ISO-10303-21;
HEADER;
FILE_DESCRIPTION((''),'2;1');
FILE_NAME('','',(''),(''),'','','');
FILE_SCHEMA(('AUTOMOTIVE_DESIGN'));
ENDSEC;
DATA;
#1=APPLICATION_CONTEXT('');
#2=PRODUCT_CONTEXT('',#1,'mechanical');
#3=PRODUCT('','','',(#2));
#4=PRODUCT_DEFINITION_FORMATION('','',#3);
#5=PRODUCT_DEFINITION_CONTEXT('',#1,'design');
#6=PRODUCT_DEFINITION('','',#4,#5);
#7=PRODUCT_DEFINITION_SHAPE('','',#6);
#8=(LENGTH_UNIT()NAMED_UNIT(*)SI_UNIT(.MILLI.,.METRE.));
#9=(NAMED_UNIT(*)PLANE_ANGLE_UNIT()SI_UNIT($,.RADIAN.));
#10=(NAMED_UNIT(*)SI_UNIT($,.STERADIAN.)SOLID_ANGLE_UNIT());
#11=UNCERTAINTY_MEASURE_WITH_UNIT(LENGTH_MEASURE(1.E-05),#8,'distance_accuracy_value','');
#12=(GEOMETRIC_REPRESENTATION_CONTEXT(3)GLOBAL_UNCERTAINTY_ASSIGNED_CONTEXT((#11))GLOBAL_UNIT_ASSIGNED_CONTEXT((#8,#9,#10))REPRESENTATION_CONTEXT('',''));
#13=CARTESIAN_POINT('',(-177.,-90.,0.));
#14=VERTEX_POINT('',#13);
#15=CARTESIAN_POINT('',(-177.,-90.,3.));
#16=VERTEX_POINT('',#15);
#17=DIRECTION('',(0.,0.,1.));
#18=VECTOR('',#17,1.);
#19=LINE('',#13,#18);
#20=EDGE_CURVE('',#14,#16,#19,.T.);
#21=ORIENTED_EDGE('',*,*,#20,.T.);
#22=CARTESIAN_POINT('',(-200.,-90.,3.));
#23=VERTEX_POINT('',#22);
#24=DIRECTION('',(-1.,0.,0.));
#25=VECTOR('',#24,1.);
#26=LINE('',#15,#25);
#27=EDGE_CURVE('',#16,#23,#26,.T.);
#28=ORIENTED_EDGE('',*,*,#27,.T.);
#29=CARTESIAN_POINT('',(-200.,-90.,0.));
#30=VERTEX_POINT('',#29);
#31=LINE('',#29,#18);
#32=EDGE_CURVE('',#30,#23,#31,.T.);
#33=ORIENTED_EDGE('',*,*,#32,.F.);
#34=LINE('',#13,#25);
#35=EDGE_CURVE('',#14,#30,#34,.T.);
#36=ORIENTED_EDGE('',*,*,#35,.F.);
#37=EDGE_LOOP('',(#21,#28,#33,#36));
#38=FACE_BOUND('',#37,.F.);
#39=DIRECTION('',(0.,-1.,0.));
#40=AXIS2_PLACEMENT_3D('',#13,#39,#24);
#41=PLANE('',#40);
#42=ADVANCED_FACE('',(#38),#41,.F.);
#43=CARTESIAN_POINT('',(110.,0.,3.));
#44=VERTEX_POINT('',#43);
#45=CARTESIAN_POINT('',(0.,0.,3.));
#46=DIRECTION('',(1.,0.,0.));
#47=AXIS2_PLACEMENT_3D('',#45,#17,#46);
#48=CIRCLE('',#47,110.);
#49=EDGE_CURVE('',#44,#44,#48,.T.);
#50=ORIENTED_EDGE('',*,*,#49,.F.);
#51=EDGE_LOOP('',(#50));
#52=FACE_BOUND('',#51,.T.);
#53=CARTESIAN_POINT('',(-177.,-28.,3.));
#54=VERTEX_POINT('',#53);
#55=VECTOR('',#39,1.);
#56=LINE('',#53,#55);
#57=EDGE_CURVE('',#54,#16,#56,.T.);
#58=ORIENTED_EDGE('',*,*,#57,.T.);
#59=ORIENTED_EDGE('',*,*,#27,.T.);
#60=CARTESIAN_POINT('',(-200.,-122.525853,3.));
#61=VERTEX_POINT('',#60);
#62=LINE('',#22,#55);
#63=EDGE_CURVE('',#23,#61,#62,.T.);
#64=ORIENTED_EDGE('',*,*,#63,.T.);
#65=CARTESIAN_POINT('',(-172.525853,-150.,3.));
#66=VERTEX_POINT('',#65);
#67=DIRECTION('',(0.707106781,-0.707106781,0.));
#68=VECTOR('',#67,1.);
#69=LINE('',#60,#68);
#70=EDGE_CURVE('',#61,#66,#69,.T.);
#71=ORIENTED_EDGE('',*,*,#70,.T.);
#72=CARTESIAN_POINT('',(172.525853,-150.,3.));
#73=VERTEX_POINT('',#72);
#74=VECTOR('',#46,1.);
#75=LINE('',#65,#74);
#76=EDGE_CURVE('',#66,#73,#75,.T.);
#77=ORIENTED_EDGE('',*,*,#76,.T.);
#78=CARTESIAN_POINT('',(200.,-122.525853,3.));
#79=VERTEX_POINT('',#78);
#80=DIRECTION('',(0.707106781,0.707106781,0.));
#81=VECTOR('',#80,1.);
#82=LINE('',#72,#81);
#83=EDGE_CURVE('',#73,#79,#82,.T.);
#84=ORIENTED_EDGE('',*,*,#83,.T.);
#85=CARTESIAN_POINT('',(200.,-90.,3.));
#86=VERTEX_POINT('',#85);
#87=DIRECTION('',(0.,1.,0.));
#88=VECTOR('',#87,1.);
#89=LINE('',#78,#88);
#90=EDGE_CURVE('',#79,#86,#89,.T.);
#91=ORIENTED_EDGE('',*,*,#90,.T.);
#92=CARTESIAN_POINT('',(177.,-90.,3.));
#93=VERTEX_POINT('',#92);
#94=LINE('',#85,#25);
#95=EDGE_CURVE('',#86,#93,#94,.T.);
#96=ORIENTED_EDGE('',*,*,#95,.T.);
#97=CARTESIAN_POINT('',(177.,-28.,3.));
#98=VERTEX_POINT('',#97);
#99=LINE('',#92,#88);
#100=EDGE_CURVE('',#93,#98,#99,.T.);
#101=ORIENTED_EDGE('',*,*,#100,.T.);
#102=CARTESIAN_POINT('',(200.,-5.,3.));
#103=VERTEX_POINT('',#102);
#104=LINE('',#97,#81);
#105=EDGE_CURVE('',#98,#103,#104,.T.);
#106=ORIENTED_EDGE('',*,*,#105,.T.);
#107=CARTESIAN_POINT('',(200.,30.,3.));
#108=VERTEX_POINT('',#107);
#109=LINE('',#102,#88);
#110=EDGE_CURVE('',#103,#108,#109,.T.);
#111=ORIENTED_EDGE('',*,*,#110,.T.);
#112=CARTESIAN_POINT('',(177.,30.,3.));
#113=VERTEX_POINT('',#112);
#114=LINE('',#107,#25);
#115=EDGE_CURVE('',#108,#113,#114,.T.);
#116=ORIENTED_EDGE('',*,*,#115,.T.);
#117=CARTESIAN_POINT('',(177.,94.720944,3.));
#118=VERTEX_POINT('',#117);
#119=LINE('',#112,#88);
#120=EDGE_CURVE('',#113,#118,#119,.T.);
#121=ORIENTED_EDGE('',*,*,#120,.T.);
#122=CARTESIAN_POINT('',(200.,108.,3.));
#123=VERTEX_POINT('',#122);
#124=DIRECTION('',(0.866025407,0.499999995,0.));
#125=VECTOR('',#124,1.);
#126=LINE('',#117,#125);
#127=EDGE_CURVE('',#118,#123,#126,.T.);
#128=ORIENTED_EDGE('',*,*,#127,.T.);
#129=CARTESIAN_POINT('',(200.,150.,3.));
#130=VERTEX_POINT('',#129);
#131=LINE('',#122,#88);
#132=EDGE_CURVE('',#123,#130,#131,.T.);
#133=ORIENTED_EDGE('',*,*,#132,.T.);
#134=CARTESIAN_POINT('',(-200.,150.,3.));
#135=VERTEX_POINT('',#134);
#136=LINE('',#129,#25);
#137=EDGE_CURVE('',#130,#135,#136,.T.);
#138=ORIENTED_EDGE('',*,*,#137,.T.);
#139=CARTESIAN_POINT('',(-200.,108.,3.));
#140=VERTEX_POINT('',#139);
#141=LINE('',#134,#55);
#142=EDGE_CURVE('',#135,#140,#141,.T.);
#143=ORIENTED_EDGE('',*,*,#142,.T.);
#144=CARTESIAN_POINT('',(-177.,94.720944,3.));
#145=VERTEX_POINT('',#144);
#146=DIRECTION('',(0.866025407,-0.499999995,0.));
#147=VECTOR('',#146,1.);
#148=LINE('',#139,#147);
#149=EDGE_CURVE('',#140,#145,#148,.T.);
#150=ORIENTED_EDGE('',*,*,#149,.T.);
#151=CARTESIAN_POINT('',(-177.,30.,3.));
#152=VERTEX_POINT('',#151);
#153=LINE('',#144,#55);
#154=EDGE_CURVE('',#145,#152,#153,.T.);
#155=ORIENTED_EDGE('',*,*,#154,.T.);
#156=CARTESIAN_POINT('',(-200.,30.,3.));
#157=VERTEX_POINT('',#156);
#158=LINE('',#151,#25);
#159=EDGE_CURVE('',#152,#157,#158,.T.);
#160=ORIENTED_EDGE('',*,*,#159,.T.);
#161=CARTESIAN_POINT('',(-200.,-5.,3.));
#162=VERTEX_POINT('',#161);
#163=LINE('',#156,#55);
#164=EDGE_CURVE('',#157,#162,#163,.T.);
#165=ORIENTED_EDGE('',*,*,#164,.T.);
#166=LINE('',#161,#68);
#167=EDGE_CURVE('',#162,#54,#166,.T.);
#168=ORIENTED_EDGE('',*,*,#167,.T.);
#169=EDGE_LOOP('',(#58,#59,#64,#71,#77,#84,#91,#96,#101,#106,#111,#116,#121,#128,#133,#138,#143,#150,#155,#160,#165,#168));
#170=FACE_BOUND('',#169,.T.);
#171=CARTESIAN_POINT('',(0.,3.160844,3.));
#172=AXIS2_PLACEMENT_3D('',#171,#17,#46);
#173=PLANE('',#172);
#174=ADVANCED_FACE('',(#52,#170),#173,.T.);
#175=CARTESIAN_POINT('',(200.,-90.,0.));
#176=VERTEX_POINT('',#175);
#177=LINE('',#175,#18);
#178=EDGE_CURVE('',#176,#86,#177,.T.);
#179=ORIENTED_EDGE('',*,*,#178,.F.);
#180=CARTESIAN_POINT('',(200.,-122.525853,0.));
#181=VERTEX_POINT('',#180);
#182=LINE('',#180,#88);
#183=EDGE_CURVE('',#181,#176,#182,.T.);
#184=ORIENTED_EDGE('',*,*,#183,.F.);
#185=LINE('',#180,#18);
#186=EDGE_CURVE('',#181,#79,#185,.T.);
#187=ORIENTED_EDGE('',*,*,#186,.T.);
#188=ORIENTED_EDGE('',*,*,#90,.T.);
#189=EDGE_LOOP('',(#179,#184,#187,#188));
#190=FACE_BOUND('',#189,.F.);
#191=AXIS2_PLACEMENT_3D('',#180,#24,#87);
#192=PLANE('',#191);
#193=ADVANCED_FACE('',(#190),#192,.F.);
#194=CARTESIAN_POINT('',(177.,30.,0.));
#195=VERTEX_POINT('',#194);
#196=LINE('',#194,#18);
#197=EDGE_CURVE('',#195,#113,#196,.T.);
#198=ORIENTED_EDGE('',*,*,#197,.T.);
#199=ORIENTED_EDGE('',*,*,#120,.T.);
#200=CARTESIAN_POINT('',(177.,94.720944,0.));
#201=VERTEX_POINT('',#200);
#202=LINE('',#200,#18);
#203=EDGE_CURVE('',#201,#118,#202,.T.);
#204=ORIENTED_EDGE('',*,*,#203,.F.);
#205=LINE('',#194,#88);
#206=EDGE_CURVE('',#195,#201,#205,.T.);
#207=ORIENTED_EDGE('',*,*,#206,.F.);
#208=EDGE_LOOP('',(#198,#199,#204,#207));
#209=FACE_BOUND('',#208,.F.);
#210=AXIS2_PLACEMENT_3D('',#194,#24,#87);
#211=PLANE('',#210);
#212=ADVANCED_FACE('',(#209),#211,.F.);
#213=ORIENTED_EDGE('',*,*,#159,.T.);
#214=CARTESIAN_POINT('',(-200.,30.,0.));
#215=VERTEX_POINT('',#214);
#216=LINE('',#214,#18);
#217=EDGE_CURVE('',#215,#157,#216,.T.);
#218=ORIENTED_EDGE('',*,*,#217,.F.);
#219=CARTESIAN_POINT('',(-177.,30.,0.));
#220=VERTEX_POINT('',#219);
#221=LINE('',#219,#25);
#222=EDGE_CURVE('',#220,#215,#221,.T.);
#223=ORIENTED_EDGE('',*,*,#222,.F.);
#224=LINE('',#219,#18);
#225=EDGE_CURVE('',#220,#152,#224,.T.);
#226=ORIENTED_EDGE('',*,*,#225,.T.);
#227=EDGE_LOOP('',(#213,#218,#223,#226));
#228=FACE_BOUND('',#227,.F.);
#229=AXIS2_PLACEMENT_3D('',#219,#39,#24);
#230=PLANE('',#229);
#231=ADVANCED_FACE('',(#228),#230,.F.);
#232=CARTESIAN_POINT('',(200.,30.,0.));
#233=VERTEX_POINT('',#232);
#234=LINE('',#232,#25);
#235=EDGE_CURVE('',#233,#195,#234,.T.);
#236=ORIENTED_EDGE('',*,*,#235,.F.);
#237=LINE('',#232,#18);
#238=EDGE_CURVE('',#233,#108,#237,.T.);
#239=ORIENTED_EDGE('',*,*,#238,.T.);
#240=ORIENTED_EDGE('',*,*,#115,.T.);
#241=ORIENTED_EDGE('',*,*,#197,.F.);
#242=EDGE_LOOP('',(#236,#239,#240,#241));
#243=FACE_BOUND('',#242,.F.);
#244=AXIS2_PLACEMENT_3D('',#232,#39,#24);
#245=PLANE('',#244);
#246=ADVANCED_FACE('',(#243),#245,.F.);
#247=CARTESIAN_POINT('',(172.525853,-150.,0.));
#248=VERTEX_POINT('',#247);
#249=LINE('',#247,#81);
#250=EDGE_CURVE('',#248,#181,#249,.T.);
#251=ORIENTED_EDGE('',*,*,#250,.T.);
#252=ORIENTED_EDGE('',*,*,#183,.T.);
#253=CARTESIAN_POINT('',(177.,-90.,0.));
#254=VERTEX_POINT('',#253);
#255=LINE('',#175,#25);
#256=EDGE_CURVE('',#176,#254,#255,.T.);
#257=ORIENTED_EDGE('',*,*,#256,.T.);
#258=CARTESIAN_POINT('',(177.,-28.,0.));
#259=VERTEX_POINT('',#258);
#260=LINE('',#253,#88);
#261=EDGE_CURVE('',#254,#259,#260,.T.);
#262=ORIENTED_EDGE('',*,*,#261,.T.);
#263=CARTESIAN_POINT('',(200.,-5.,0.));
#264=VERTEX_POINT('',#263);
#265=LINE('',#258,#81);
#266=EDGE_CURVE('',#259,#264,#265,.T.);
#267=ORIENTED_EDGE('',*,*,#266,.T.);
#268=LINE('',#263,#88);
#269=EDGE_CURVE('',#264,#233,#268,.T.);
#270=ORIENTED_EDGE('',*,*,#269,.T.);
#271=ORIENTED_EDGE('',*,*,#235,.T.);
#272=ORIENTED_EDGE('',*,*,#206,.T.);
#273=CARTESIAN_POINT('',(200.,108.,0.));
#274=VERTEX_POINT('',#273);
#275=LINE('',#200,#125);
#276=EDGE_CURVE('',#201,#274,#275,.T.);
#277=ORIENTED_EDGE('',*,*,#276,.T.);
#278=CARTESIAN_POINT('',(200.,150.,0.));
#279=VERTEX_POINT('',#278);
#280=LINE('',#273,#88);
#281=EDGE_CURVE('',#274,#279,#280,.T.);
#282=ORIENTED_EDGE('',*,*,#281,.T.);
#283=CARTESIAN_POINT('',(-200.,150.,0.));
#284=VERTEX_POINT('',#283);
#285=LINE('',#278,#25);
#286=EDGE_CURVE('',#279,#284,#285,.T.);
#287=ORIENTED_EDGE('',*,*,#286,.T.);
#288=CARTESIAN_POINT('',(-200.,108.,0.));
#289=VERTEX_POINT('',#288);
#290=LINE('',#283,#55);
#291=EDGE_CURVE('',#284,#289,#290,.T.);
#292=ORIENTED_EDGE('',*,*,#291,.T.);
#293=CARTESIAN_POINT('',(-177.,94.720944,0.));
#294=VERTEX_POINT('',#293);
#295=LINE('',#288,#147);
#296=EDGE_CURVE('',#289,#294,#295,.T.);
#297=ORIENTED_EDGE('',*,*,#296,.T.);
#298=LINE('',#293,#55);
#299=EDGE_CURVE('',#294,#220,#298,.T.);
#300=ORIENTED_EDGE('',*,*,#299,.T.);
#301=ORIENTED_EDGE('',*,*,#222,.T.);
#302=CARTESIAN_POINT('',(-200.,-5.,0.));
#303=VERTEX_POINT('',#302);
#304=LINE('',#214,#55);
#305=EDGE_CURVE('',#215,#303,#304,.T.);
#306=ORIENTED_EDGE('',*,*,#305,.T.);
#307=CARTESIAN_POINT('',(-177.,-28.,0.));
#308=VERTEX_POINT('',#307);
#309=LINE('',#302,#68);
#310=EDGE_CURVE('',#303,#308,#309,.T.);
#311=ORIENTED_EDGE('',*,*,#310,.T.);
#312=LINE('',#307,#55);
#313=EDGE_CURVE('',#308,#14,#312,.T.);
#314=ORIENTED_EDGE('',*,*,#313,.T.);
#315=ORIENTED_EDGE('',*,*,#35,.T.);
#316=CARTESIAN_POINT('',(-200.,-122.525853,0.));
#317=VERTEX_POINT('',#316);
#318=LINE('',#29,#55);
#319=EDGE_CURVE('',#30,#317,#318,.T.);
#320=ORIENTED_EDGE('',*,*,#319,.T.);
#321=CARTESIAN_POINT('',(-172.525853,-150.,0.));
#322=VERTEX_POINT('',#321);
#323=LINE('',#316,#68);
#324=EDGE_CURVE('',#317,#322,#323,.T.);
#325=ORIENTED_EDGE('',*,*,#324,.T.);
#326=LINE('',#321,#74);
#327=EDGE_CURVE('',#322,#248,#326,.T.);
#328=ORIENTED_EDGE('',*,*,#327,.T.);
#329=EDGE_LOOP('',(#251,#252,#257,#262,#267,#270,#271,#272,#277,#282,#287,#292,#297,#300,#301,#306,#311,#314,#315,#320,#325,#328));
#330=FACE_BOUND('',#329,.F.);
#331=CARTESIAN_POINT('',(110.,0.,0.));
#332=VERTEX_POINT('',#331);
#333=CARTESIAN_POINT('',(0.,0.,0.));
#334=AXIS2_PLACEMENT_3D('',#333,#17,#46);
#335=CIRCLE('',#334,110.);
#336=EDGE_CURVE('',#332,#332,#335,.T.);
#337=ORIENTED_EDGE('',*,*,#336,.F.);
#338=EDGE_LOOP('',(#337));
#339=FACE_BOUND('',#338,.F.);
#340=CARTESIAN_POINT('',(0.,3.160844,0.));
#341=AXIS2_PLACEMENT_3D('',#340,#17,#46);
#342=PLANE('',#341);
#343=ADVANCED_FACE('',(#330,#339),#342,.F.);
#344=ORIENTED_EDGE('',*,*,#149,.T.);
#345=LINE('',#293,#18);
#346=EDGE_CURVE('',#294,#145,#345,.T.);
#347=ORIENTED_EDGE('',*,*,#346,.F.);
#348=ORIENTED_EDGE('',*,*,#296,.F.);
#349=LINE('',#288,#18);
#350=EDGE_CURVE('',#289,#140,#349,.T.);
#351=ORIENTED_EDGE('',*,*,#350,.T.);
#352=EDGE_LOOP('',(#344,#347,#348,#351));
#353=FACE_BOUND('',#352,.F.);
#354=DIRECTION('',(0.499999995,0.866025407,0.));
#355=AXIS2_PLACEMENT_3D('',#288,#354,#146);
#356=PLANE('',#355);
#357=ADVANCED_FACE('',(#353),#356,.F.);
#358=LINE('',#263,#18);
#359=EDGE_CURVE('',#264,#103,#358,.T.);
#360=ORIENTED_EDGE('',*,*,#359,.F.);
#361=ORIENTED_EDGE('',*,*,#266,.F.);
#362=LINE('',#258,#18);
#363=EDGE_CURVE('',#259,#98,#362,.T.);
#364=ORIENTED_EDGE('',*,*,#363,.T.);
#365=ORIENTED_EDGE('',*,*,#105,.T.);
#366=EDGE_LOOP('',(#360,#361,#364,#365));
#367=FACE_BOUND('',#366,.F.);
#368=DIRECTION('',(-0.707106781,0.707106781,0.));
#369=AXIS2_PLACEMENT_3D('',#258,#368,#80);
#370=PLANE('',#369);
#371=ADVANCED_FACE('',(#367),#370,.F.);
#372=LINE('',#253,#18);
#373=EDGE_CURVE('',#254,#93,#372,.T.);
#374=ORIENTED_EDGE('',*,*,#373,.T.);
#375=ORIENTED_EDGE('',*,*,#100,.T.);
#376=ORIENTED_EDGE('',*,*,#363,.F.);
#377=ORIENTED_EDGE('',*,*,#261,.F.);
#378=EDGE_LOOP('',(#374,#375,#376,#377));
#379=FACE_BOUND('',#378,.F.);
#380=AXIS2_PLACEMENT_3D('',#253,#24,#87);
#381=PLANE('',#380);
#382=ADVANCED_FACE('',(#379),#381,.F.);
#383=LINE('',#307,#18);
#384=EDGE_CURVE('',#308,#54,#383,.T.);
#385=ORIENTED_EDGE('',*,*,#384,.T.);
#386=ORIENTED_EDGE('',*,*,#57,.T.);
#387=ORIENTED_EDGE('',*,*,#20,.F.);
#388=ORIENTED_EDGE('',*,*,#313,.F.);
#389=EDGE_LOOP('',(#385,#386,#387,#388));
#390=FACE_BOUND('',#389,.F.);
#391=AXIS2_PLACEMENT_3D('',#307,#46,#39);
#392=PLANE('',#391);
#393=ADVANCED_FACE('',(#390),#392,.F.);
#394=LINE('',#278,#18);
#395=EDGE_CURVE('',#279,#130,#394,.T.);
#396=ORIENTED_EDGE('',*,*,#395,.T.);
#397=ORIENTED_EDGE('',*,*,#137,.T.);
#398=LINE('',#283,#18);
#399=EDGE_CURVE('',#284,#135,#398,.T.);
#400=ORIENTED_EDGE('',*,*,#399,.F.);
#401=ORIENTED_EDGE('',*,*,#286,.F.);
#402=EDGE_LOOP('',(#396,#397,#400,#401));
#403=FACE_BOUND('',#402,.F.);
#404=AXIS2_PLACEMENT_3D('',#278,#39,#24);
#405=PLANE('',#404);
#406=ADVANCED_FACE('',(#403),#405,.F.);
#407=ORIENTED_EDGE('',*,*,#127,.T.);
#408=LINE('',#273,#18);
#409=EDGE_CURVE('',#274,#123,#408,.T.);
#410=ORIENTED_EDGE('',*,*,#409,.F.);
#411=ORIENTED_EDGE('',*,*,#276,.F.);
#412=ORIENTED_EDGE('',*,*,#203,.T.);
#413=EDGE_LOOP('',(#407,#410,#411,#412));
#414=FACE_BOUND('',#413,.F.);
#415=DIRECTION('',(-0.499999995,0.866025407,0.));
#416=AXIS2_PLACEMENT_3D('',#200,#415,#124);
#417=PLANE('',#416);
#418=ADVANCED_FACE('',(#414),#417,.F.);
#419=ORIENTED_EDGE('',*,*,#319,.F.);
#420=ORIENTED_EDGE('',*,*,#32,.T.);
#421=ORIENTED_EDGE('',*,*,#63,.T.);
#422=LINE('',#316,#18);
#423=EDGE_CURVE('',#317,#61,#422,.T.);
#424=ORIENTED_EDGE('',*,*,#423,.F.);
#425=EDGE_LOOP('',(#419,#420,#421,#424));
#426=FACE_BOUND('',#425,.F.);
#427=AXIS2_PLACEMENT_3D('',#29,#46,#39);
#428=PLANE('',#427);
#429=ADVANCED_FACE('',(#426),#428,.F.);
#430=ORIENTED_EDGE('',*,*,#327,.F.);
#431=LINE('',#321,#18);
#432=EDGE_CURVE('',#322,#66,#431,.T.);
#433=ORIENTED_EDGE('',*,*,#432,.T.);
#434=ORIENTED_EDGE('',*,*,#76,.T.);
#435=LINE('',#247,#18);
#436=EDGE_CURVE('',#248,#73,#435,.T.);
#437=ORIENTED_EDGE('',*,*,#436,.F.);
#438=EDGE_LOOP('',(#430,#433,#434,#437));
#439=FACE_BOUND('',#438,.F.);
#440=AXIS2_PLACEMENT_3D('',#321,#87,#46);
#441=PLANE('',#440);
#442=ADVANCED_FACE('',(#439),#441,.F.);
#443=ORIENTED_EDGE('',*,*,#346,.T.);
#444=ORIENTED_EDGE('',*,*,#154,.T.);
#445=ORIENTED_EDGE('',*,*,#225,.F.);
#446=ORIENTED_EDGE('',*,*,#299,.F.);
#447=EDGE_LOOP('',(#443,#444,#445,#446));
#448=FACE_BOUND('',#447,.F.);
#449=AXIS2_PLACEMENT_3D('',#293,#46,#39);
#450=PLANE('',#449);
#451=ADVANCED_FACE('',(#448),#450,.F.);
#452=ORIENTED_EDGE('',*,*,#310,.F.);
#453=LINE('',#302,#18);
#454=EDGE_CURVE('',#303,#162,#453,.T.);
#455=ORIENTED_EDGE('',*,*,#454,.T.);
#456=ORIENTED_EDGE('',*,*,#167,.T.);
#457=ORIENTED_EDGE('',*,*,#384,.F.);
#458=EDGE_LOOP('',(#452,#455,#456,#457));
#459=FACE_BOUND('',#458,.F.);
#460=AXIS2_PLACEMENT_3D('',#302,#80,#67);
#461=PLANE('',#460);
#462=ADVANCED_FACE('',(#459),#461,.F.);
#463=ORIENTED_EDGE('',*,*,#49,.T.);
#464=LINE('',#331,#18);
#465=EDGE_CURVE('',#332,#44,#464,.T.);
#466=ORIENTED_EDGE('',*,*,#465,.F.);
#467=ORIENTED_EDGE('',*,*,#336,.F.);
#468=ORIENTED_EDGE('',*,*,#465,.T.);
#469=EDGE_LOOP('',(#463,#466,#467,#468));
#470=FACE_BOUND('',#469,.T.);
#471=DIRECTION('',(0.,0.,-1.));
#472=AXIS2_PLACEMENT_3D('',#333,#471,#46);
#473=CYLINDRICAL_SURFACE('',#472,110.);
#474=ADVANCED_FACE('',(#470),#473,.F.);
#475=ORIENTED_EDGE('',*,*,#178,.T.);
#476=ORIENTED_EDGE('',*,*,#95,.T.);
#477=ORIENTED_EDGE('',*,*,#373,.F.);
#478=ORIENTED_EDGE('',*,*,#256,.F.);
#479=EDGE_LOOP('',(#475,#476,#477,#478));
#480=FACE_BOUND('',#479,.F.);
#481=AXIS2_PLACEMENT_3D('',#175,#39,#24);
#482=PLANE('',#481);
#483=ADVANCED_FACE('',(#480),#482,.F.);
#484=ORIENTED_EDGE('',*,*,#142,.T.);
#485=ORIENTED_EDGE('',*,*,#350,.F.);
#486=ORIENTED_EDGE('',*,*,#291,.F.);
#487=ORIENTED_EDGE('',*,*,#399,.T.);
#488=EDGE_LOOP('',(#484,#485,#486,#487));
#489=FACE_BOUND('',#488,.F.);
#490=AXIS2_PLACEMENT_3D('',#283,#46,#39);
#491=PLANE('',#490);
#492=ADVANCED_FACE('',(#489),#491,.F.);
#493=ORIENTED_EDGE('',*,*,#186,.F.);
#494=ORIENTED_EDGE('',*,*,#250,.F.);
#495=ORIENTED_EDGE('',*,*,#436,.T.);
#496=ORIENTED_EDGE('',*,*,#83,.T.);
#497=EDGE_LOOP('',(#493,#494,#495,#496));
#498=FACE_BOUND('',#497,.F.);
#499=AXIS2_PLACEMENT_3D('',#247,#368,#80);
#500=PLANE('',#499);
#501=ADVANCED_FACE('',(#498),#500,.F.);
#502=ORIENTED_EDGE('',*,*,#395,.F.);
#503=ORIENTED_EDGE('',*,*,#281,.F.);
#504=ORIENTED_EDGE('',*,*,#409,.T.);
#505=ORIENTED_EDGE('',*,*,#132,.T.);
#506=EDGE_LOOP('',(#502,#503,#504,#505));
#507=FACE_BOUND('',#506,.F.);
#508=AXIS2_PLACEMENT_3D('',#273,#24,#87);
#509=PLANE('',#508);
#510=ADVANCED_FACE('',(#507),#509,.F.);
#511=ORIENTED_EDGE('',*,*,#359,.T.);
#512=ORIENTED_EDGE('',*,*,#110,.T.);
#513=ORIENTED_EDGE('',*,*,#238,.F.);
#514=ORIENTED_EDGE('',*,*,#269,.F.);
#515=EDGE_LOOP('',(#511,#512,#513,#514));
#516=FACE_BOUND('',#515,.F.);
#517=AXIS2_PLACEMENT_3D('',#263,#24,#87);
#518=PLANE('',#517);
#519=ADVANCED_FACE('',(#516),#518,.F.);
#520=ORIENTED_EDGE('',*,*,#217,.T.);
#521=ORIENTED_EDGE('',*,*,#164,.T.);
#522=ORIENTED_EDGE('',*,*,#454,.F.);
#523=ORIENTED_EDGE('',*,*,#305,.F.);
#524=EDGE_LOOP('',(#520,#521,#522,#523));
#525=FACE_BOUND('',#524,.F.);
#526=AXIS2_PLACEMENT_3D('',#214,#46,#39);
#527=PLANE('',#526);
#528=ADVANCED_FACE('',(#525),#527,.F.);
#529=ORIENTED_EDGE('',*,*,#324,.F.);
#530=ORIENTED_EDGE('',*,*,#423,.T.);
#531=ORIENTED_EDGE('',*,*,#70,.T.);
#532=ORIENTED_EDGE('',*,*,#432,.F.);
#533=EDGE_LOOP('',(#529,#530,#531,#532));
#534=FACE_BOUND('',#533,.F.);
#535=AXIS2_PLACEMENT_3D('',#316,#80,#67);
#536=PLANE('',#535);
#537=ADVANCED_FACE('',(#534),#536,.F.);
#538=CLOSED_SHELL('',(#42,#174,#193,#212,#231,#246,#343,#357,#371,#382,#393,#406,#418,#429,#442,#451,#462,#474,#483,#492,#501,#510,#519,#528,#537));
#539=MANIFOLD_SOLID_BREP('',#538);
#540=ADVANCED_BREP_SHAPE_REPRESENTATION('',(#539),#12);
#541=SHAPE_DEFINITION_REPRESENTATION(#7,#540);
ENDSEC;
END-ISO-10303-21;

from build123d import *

# Parameters (mm, degrees)
F0_R     = 110
F1_DEPTH = 3


with BuildPart() as f1:
    # F0 (on Top) → F1 (new body)
    with BuildSketch(Plane.XY):
        Polygon((-172.525853, -150), (172.525853, -150), (200, -122.525853), (200, -90), (177, -90), (177, -28), (200, -5), (200, 30), (177, 30), (177, 94.720944), (200, 108), (200, 150), (-200, 150), (-200, 108), (-177, 94.720944), (-177, 30), (-200, 30), (-200, -5), (-177, -28), (-177, -90), (-200, -90), (-200, -122.525853), align=None)
        Circle(F0_R, mode=Mode.SUBTRACT)
    extrude(amount=F1_DEPTH)


solid = f1.part
